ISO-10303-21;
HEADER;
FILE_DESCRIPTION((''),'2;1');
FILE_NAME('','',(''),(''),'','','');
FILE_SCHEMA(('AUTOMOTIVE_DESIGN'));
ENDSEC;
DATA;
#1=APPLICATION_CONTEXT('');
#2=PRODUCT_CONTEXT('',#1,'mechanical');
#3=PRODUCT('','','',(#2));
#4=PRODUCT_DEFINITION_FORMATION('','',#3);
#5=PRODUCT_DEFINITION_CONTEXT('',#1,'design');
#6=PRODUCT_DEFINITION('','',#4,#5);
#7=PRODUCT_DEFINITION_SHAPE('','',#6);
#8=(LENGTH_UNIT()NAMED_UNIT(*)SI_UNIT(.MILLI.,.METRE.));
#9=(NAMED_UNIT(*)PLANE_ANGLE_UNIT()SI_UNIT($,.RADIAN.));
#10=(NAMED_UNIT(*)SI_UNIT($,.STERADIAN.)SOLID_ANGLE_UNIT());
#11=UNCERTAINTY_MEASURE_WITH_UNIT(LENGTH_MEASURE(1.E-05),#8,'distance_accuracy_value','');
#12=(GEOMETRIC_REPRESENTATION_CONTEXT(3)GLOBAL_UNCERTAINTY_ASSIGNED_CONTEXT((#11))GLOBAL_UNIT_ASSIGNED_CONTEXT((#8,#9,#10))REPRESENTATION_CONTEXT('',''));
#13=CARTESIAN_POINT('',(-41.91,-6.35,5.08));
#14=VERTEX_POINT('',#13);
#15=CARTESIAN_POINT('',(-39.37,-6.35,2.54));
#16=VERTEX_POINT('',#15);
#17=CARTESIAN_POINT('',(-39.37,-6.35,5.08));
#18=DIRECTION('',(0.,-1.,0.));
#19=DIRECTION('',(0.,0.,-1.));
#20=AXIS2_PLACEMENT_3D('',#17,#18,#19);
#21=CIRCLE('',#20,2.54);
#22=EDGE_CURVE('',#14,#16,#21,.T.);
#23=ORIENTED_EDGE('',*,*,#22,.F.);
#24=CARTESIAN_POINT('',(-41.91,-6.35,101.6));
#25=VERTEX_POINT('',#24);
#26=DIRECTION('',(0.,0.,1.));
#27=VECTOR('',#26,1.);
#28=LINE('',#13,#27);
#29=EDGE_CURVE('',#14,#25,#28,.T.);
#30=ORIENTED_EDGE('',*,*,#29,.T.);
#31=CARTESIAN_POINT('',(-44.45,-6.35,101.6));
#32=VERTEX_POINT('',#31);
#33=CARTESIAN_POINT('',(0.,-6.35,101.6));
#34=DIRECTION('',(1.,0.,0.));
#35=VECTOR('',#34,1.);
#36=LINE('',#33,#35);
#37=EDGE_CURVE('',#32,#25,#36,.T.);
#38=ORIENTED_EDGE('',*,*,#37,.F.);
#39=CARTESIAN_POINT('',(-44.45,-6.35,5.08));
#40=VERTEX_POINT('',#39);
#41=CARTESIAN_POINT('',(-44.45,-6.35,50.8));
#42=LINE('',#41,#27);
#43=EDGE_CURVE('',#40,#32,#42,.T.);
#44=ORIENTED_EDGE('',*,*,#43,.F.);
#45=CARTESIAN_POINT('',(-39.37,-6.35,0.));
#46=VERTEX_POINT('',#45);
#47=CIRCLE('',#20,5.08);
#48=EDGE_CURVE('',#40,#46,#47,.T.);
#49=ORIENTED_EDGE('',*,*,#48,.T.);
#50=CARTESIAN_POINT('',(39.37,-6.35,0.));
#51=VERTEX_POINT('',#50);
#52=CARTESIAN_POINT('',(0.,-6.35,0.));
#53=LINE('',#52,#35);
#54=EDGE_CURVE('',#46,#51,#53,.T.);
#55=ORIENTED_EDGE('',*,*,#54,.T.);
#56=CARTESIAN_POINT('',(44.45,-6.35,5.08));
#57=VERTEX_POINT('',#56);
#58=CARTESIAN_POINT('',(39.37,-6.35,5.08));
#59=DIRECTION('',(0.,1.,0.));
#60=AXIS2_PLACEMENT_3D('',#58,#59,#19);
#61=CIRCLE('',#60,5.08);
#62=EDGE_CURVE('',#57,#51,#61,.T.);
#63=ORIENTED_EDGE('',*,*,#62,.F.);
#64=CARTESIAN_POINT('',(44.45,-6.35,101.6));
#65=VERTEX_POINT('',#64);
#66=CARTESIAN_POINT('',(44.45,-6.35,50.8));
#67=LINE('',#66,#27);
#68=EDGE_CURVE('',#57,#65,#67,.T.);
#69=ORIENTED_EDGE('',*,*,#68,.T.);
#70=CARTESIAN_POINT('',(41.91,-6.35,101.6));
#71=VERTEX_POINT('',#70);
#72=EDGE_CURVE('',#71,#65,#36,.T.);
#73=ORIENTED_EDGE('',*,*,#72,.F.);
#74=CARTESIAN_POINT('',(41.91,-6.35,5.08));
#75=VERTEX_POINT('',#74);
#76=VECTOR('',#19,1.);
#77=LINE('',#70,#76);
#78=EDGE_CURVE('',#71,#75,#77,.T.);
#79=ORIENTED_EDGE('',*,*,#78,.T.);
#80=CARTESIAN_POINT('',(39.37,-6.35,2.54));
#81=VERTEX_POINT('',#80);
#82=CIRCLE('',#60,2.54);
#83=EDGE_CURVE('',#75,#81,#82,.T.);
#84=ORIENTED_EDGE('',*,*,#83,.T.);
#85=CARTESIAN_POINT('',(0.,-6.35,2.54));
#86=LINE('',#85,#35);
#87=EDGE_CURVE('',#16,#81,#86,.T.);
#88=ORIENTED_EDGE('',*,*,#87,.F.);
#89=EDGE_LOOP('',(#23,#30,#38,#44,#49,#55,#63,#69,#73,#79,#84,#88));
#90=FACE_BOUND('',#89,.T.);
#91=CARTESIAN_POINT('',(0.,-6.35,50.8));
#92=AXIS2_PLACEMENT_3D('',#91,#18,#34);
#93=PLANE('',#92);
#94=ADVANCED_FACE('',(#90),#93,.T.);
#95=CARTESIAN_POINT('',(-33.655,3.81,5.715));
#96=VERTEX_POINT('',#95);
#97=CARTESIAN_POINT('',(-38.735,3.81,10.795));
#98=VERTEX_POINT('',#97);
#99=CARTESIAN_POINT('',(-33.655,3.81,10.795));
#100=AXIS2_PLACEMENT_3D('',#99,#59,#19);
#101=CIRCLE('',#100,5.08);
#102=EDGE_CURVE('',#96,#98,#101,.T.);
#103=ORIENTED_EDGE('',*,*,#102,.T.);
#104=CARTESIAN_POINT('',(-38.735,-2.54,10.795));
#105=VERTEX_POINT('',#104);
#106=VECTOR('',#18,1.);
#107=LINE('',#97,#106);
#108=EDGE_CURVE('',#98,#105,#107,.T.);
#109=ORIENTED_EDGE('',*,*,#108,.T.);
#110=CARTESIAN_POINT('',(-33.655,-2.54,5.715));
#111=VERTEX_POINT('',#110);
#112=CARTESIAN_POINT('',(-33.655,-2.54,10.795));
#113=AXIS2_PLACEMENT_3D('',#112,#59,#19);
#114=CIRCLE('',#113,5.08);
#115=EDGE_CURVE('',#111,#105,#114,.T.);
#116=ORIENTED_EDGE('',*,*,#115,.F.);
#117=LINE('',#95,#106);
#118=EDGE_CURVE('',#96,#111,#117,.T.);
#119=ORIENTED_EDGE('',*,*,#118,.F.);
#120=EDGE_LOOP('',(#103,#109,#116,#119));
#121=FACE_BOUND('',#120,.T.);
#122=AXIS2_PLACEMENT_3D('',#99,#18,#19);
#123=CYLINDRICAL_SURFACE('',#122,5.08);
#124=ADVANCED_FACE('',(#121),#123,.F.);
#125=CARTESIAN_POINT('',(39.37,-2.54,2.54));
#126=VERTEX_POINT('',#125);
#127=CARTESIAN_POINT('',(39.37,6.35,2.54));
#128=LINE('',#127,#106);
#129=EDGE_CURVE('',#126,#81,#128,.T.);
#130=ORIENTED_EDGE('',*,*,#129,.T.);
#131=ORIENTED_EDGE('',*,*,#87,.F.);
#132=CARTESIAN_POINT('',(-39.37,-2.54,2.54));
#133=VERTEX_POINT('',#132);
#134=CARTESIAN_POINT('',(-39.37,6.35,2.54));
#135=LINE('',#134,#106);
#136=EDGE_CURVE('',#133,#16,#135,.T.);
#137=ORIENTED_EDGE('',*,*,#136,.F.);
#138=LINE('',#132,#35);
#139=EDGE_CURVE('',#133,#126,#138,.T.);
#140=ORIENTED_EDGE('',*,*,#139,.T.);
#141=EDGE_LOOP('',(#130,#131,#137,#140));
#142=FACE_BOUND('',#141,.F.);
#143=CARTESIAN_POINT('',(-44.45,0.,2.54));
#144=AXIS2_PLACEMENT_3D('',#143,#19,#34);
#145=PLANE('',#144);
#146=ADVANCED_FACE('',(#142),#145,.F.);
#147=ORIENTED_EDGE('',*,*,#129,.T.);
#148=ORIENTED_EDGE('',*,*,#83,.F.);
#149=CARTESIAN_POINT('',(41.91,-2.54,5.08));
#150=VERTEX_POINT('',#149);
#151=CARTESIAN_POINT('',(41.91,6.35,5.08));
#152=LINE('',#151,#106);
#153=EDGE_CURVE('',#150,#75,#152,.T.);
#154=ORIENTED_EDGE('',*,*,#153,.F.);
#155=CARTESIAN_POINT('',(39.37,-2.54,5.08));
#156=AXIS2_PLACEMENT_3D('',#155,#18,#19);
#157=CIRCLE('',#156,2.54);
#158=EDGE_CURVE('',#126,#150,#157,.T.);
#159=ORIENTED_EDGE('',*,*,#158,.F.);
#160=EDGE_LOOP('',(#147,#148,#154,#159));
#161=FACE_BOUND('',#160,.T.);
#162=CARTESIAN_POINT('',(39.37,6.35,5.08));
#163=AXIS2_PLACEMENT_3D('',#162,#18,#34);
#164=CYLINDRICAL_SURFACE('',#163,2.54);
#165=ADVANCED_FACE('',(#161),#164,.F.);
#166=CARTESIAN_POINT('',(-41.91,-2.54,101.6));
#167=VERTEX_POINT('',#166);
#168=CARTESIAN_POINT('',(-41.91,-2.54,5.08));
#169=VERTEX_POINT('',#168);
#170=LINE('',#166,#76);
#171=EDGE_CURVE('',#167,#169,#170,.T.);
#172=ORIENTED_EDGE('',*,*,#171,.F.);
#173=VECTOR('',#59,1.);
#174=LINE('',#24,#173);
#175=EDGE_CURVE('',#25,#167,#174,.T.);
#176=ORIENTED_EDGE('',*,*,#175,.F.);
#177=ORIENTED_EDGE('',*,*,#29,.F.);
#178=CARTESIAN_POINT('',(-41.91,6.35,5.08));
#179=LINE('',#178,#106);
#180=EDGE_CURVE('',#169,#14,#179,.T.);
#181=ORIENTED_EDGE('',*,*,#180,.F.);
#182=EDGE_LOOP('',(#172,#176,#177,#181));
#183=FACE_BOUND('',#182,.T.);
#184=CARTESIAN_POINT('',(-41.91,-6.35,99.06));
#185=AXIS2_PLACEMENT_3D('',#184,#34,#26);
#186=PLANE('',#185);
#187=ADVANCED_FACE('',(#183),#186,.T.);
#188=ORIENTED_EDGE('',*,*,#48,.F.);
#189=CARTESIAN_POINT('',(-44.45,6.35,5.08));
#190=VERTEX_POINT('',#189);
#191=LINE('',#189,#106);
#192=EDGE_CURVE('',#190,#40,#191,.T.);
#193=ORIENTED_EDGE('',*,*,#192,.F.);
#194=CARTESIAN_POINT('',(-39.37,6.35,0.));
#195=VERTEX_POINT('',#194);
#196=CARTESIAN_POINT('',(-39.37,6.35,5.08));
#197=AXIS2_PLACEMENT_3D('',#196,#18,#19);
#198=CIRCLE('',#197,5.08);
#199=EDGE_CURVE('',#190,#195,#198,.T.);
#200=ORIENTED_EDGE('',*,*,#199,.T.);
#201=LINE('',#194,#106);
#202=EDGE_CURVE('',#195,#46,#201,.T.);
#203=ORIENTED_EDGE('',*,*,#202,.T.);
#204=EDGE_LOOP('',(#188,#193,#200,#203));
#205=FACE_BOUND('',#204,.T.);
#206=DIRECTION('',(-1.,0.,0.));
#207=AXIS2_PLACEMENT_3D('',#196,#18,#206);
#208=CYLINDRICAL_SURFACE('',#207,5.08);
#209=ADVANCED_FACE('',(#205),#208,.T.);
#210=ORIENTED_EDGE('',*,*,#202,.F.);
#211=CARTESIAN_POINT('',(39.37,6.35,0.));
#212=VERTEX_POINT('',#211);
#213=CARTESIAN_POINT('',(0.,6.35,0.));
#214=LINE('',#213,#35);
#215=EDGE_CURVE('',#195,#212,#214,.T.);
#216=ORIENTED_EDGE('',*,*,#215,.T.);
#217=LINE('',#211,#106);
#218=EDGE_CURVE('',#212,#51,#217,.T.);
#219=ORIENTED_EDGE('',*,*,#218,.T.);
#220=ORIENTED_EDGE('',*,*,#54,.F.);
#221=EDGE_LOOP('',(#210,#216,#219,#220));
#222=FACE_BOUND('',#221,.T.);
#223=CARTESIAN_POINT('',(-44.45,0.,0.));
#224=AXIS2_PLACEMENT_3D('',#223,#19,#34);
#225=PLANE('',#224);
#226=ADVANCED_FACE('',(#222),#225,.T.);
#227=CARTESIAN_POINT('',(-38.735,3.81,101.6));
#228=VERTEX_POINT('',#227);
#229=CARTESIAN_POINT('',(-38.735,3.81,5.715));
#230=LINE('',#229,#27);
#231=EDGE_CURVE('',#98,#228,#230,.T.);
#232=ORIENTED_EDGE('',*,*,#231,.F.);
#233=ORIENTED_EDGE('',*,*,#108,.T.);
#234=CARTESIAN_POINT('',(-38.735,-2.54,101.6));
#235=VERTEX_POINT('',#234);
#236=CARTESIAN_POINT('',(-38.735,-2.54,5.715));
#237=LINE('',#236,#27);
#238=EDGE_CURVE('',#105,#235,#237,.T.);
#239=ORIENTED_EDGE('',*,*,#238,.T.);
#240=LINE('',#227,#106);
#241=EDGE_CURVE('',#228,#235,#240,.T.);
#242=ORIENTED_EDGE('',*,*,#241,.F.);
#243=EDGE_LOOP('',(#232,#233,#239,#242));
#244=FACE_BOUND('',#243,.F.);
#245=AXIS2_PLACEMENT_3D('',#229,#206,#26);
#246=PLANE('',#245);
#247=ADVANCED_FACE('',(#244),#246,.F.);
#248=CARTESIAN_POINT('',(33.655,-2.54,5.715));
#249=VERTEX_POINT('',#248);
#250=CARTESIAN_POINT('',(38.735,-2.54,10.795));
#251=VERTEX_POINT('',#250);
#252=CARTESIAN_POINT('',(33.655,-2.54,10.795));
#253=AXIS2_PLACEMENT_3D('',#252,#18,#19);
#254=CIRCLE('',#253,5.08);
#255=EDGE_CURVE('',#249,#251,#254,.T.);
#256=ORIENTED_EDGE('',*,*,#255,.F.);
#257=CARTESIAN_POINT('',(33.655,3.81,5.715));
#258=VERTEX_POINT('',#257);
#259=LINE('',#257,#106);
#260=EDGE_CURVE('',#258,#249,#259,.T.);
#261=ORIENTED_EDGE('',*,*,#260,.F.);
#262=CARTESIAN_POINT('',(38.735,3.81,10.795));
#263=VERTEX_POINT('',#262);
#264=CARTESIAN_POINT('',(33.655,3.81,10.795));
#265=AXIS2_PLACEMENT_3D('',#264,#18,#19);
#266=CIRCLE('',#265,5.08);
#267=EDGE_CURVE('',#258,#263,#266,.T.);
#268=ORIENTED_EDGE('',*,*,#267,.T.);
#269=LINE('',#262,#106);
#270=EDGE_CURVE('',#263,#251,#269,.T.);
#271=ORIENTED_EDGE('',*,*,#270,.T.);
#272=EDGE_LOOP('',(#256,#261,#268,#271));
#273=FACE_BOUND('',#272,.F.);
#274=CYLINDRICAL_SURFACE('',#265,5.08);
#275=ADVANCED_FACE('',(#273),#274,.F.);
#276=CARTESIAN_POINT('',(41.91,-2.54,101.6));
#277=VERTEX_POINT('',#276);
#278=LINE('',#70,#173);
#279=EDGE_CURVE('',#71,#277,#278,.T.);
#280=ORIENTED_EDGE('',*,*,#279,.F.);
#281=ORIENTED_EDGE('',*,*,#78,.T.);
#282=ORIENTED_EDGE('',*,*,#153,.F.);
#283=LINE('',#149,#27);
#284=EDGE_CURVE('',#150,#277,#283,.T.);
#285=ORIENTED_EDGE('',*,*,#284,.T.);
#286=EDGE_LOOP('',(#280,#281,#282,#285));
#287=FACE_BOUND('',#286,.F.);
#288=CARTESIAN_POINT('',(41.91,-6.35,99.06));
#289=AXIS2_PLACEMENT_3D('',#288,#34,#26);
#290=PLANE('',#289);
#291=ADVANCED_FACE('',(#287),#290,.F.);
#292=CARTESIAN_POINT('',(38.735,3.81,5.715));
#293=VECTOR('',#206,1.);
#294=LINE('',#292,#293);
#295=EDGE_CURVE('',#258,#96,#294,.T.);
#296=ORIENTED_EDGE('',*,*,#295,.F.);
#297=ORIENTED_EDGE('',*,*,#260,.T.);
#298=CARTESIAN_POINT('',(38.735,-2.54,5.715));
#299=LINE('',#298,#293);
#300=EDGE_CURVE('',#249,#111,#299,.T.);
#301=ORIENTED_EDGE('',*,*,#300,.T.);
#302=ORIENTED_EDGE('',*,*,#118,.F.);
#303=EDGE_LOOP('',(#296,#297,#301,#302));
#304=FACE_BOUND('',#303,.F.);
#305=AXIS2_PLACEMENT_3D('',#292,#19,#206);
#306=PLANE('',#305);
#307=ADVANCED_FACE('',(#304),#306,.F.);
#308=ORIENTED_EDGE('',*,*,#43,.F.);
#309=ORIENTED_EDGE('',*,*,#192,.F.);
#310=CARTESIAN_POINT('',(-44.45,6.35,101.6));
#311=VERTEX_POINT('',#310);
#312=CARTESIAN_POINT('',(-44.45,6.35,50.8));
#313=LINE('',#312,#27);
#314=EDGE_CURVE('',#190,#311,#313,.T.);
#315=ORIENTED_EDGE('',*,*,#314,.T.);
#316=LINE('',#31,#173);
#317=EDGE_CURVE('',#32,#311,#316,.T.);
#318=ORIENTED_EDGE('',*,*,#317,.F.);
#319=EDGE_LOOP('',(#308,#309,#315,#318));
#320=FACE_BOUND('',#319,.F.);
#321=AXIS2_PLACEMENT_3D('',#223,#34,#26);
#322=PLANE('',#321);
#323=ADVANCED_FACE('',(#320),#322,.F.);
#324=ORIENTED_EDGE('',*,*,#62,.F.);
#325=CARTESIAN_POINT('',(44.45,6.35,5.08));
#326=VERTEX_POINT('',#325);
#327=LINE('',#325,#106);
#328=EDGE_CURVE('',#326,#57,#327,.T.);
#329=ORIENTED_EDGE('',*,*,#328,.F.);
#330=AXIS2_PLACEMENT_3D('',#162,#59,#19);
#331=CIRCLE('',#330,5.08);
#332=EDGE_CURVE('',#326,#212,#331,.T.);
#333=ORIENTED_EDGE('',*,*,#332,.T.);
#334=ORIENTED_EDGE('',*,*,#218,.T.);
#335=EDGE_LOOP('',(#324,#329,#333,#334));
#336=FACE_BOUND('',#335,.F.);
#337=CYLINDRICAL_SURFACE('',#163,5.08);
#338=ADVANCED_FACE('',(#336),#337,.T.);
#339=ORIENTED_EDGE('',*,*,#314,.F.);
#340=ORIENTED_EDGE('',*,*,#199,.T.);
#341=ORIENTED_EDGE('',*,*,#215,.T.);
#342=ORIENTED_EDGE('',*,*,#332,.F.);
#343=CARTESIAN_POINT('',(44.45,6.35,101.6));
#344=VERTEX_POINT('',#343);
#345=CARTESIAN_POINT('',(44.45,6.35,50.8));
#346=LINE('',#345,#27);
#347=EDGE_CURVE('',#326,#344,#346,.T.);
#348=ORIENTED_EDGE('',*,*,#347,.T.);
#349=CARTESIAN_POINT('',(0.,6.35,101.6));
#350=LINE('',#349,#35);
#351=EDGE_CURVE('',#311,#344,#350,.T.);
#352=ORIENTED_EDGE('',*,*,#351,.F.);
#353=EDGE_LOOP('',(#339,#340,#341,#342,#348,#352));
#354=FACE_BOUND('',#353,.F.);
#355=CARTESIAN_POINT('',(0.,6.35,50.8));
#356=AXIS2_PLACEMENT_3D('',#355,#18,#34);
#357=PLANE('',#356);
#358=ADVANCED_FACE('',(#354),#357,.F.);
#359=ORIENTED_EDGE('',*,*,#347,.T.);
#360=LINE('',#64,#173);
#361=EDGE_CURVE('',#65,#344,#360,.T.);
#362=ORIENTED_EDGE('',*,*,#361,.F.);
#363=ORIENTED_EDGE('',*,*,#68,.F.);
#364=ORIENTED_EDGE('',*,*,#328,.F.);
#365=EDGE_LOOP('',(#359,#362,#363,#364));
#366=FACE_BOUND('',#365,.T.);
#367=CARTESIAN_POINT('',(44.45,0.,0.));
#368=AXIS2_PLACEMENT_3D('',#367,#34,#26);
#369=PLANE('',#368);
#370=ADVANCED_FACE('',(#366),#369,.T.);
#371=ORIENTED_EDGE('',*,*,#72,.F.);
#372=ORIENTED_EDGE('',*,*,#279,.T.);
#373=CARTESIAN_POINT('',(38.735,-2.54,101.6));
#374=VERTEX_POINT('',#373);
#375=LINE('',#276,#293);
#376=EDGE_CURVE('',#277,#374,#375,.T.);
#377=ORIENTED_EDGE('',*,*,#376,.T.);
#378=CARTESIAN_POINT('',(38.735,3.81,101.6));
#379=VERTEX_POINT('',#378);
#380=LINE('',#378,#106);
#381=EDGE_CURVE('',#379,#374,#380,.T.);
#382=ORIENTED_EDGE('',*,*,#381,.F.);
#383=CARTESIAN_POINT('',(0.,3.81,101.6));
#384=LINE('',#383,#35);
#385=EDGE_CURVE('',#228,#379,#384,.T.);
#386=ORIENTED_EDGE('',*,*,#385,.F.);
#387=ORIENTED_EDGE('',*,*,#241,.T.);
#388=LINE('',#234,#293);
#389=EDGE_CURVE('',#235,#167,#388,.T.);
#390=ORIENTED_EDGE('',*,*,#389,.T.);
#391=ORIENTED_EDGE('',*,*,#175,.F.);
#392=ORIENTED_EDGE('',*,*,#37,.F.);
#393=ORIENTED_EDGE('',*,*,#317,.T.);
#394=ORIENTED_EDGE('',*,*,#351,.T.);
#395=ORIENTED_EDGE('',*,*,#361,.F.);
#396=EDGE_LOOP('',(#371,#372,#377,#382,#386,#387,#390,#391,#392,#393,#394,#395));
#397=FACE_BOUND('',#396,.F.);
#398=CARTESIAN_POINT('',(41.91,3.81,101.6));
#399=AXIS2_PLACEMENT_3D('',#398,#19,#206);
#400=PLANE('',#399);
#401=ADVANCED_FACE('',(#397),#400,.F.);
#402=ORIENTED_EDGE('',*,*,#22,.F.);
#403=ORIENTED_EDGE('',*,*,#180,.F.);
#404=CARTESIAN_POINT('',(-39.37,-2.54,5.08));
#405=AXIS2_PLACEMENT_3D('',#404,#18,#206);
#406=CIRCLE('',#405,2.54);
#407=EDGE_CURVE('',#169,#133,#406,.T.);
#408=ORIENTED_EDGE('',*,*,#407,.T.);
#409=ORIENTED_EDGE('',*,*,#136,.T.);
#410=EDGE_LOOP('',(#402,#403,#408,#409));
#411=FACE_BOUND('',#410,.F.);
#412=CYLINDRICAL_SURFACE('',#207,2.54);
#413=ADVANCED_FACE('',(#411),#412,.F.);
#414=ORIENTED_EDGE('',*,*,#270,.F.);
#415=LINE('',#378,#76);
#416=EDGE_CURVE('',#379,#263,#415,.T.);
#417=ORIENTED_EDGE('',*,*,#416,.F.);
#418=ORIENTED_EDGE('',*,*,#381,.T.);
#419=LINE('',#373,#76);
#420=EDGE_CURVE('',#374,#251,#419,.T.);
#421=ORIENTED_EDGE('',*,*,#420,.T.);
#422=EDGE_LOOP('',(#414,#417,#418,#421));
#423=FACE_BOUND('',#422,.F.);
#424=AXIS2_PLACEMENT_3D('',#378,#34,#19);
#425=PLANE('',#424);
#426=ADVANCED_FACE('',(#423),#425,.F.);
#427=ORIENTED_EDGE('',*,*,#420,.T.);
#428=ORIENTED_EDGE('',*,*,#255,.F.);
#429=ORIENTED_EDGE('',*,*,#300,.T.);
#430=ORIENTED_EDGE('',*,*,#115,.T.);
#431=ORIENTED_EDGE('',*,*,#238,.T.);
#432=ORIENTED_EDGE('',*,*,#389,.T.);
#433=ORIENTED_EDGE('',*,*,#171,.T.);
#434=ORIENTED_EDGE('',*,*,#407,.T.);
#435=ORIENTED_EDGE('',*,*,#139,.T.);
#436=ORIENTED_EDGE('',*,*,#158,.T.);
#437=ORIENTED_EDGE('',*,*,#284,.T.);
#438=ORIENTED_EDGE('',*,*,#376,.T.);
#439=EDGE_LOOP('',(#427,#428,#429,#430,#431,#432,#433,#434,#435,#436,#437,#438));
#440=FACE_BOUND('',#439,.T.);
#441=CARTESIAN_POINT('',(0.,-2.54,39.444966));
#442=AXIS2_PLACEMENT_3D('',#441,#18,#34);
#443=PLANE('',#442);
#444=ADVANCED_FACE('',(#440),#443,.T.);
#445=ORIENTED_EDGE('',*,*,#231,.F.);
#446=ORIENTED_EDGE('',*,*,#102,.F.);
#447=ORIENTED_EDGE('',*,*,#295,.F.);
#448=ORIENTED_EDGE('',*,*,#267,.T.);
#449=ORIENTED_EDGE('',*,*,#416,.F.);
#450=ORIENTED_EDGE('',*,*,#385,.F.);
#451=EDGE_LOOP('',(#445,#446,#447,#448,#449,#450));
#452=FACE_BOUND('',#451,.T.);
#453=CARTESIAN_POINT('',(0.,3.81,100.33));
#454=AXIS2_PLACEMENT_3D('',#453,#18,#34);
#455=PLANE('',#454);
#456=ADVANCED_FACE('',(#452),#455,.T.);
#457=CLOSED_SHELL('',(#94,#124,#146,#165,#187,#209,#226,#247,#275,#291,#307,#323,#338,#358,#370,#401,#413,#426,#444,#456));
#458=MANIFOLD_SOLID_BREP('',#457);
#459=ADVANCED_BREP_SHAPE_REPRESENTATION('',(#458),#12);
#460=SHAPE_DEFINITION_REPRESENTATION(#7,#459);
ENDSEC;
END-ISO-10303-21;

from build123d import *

# Parameters (mm, degrees)
F0_W     = 88.9
F0_H     = 101.6
F1_DEPTH = 6.35
F2_R     = 5.08
F3_T     = -2.54
F4_W     = 83.82
F4_H     = 2.54
F5_DEPTH = 10.16
F7_DEPTH = 6.35
F8_R     = 5.08


with BuildPart() as f1:
    # F0 (on Front) → F1 (new body, symmetric)
    with BuildSketch(Plane.XZ):
        with Locations((0, 50.8)):
            Rectangle(F0_W, F0_H)
    extrude(amount=F1_DEPTH, both=True)

    # F2
    f2_edges = [f1.edges().sort_by_distance(p)[0] for p in [
        (-44.45, 0, 0),
        (44.45, 0, 0),
    ]]
    fillet(f2_edges, radius=F2_R)

    # F3
    f3_openings = [f1.faces().sort_by_distance(p)[0] for p in [
        (0, -6.35, 50.860979),
    ]]
    offset(amount=F3_T, openings=f3_openings)

    # F4 (on face) → F5 (cut, through all)
    with BuildSketch(Plane.XZ.offset(6.35)):
        with Locations((0, 100.33)):
            Rectangle(F4_W, F4_H)
    extrude(amount=-F5_DEPTH, mode=Mode.SUBTRACT)

    # F6 (on face) → F7 (join)
    with BuildSketch(Plane.XZ.offset(-3.81)):
        with BuildLine():
            Line((38.735, 5.715), (-38.735, 5.715))
            Line((-38.735, 5.715), (-38.735, 101.6))
            Line((-38.735, 101.6), (-41.91, 101.6))
            Line((-41.91, 101.6), (-41.91, 5.08))
            ThreePointArc((-41.91, 5.08), (-41.1660512242, 3.2839487758), (-39.37, 2.54))
            Line((-39.37, 2.54), (39.37, 2.54))
            ThreePointArc((39.37, 2.54), (41.1660512242, 3.2839487758), (41.91, 5.08))
            Line((41.91, 5.08), (41.91, 101.6))
            Line((41.91, 101.6), (38.735, 101.6))
            Line((38.735, 101.6), (38.735, 5.715))
        make_face()
    extrude(amount=F7_DEPTH)

    # F8
    f8_edges = [f1.edges().sort_by_distance(p)[0] for p in [
        (-38.735, 0.635, 5.715),
        (38.735, 0.635, 5.715),
    ]]
    fillet(f8_edges, radius=F8_R)


solid = f1.part
